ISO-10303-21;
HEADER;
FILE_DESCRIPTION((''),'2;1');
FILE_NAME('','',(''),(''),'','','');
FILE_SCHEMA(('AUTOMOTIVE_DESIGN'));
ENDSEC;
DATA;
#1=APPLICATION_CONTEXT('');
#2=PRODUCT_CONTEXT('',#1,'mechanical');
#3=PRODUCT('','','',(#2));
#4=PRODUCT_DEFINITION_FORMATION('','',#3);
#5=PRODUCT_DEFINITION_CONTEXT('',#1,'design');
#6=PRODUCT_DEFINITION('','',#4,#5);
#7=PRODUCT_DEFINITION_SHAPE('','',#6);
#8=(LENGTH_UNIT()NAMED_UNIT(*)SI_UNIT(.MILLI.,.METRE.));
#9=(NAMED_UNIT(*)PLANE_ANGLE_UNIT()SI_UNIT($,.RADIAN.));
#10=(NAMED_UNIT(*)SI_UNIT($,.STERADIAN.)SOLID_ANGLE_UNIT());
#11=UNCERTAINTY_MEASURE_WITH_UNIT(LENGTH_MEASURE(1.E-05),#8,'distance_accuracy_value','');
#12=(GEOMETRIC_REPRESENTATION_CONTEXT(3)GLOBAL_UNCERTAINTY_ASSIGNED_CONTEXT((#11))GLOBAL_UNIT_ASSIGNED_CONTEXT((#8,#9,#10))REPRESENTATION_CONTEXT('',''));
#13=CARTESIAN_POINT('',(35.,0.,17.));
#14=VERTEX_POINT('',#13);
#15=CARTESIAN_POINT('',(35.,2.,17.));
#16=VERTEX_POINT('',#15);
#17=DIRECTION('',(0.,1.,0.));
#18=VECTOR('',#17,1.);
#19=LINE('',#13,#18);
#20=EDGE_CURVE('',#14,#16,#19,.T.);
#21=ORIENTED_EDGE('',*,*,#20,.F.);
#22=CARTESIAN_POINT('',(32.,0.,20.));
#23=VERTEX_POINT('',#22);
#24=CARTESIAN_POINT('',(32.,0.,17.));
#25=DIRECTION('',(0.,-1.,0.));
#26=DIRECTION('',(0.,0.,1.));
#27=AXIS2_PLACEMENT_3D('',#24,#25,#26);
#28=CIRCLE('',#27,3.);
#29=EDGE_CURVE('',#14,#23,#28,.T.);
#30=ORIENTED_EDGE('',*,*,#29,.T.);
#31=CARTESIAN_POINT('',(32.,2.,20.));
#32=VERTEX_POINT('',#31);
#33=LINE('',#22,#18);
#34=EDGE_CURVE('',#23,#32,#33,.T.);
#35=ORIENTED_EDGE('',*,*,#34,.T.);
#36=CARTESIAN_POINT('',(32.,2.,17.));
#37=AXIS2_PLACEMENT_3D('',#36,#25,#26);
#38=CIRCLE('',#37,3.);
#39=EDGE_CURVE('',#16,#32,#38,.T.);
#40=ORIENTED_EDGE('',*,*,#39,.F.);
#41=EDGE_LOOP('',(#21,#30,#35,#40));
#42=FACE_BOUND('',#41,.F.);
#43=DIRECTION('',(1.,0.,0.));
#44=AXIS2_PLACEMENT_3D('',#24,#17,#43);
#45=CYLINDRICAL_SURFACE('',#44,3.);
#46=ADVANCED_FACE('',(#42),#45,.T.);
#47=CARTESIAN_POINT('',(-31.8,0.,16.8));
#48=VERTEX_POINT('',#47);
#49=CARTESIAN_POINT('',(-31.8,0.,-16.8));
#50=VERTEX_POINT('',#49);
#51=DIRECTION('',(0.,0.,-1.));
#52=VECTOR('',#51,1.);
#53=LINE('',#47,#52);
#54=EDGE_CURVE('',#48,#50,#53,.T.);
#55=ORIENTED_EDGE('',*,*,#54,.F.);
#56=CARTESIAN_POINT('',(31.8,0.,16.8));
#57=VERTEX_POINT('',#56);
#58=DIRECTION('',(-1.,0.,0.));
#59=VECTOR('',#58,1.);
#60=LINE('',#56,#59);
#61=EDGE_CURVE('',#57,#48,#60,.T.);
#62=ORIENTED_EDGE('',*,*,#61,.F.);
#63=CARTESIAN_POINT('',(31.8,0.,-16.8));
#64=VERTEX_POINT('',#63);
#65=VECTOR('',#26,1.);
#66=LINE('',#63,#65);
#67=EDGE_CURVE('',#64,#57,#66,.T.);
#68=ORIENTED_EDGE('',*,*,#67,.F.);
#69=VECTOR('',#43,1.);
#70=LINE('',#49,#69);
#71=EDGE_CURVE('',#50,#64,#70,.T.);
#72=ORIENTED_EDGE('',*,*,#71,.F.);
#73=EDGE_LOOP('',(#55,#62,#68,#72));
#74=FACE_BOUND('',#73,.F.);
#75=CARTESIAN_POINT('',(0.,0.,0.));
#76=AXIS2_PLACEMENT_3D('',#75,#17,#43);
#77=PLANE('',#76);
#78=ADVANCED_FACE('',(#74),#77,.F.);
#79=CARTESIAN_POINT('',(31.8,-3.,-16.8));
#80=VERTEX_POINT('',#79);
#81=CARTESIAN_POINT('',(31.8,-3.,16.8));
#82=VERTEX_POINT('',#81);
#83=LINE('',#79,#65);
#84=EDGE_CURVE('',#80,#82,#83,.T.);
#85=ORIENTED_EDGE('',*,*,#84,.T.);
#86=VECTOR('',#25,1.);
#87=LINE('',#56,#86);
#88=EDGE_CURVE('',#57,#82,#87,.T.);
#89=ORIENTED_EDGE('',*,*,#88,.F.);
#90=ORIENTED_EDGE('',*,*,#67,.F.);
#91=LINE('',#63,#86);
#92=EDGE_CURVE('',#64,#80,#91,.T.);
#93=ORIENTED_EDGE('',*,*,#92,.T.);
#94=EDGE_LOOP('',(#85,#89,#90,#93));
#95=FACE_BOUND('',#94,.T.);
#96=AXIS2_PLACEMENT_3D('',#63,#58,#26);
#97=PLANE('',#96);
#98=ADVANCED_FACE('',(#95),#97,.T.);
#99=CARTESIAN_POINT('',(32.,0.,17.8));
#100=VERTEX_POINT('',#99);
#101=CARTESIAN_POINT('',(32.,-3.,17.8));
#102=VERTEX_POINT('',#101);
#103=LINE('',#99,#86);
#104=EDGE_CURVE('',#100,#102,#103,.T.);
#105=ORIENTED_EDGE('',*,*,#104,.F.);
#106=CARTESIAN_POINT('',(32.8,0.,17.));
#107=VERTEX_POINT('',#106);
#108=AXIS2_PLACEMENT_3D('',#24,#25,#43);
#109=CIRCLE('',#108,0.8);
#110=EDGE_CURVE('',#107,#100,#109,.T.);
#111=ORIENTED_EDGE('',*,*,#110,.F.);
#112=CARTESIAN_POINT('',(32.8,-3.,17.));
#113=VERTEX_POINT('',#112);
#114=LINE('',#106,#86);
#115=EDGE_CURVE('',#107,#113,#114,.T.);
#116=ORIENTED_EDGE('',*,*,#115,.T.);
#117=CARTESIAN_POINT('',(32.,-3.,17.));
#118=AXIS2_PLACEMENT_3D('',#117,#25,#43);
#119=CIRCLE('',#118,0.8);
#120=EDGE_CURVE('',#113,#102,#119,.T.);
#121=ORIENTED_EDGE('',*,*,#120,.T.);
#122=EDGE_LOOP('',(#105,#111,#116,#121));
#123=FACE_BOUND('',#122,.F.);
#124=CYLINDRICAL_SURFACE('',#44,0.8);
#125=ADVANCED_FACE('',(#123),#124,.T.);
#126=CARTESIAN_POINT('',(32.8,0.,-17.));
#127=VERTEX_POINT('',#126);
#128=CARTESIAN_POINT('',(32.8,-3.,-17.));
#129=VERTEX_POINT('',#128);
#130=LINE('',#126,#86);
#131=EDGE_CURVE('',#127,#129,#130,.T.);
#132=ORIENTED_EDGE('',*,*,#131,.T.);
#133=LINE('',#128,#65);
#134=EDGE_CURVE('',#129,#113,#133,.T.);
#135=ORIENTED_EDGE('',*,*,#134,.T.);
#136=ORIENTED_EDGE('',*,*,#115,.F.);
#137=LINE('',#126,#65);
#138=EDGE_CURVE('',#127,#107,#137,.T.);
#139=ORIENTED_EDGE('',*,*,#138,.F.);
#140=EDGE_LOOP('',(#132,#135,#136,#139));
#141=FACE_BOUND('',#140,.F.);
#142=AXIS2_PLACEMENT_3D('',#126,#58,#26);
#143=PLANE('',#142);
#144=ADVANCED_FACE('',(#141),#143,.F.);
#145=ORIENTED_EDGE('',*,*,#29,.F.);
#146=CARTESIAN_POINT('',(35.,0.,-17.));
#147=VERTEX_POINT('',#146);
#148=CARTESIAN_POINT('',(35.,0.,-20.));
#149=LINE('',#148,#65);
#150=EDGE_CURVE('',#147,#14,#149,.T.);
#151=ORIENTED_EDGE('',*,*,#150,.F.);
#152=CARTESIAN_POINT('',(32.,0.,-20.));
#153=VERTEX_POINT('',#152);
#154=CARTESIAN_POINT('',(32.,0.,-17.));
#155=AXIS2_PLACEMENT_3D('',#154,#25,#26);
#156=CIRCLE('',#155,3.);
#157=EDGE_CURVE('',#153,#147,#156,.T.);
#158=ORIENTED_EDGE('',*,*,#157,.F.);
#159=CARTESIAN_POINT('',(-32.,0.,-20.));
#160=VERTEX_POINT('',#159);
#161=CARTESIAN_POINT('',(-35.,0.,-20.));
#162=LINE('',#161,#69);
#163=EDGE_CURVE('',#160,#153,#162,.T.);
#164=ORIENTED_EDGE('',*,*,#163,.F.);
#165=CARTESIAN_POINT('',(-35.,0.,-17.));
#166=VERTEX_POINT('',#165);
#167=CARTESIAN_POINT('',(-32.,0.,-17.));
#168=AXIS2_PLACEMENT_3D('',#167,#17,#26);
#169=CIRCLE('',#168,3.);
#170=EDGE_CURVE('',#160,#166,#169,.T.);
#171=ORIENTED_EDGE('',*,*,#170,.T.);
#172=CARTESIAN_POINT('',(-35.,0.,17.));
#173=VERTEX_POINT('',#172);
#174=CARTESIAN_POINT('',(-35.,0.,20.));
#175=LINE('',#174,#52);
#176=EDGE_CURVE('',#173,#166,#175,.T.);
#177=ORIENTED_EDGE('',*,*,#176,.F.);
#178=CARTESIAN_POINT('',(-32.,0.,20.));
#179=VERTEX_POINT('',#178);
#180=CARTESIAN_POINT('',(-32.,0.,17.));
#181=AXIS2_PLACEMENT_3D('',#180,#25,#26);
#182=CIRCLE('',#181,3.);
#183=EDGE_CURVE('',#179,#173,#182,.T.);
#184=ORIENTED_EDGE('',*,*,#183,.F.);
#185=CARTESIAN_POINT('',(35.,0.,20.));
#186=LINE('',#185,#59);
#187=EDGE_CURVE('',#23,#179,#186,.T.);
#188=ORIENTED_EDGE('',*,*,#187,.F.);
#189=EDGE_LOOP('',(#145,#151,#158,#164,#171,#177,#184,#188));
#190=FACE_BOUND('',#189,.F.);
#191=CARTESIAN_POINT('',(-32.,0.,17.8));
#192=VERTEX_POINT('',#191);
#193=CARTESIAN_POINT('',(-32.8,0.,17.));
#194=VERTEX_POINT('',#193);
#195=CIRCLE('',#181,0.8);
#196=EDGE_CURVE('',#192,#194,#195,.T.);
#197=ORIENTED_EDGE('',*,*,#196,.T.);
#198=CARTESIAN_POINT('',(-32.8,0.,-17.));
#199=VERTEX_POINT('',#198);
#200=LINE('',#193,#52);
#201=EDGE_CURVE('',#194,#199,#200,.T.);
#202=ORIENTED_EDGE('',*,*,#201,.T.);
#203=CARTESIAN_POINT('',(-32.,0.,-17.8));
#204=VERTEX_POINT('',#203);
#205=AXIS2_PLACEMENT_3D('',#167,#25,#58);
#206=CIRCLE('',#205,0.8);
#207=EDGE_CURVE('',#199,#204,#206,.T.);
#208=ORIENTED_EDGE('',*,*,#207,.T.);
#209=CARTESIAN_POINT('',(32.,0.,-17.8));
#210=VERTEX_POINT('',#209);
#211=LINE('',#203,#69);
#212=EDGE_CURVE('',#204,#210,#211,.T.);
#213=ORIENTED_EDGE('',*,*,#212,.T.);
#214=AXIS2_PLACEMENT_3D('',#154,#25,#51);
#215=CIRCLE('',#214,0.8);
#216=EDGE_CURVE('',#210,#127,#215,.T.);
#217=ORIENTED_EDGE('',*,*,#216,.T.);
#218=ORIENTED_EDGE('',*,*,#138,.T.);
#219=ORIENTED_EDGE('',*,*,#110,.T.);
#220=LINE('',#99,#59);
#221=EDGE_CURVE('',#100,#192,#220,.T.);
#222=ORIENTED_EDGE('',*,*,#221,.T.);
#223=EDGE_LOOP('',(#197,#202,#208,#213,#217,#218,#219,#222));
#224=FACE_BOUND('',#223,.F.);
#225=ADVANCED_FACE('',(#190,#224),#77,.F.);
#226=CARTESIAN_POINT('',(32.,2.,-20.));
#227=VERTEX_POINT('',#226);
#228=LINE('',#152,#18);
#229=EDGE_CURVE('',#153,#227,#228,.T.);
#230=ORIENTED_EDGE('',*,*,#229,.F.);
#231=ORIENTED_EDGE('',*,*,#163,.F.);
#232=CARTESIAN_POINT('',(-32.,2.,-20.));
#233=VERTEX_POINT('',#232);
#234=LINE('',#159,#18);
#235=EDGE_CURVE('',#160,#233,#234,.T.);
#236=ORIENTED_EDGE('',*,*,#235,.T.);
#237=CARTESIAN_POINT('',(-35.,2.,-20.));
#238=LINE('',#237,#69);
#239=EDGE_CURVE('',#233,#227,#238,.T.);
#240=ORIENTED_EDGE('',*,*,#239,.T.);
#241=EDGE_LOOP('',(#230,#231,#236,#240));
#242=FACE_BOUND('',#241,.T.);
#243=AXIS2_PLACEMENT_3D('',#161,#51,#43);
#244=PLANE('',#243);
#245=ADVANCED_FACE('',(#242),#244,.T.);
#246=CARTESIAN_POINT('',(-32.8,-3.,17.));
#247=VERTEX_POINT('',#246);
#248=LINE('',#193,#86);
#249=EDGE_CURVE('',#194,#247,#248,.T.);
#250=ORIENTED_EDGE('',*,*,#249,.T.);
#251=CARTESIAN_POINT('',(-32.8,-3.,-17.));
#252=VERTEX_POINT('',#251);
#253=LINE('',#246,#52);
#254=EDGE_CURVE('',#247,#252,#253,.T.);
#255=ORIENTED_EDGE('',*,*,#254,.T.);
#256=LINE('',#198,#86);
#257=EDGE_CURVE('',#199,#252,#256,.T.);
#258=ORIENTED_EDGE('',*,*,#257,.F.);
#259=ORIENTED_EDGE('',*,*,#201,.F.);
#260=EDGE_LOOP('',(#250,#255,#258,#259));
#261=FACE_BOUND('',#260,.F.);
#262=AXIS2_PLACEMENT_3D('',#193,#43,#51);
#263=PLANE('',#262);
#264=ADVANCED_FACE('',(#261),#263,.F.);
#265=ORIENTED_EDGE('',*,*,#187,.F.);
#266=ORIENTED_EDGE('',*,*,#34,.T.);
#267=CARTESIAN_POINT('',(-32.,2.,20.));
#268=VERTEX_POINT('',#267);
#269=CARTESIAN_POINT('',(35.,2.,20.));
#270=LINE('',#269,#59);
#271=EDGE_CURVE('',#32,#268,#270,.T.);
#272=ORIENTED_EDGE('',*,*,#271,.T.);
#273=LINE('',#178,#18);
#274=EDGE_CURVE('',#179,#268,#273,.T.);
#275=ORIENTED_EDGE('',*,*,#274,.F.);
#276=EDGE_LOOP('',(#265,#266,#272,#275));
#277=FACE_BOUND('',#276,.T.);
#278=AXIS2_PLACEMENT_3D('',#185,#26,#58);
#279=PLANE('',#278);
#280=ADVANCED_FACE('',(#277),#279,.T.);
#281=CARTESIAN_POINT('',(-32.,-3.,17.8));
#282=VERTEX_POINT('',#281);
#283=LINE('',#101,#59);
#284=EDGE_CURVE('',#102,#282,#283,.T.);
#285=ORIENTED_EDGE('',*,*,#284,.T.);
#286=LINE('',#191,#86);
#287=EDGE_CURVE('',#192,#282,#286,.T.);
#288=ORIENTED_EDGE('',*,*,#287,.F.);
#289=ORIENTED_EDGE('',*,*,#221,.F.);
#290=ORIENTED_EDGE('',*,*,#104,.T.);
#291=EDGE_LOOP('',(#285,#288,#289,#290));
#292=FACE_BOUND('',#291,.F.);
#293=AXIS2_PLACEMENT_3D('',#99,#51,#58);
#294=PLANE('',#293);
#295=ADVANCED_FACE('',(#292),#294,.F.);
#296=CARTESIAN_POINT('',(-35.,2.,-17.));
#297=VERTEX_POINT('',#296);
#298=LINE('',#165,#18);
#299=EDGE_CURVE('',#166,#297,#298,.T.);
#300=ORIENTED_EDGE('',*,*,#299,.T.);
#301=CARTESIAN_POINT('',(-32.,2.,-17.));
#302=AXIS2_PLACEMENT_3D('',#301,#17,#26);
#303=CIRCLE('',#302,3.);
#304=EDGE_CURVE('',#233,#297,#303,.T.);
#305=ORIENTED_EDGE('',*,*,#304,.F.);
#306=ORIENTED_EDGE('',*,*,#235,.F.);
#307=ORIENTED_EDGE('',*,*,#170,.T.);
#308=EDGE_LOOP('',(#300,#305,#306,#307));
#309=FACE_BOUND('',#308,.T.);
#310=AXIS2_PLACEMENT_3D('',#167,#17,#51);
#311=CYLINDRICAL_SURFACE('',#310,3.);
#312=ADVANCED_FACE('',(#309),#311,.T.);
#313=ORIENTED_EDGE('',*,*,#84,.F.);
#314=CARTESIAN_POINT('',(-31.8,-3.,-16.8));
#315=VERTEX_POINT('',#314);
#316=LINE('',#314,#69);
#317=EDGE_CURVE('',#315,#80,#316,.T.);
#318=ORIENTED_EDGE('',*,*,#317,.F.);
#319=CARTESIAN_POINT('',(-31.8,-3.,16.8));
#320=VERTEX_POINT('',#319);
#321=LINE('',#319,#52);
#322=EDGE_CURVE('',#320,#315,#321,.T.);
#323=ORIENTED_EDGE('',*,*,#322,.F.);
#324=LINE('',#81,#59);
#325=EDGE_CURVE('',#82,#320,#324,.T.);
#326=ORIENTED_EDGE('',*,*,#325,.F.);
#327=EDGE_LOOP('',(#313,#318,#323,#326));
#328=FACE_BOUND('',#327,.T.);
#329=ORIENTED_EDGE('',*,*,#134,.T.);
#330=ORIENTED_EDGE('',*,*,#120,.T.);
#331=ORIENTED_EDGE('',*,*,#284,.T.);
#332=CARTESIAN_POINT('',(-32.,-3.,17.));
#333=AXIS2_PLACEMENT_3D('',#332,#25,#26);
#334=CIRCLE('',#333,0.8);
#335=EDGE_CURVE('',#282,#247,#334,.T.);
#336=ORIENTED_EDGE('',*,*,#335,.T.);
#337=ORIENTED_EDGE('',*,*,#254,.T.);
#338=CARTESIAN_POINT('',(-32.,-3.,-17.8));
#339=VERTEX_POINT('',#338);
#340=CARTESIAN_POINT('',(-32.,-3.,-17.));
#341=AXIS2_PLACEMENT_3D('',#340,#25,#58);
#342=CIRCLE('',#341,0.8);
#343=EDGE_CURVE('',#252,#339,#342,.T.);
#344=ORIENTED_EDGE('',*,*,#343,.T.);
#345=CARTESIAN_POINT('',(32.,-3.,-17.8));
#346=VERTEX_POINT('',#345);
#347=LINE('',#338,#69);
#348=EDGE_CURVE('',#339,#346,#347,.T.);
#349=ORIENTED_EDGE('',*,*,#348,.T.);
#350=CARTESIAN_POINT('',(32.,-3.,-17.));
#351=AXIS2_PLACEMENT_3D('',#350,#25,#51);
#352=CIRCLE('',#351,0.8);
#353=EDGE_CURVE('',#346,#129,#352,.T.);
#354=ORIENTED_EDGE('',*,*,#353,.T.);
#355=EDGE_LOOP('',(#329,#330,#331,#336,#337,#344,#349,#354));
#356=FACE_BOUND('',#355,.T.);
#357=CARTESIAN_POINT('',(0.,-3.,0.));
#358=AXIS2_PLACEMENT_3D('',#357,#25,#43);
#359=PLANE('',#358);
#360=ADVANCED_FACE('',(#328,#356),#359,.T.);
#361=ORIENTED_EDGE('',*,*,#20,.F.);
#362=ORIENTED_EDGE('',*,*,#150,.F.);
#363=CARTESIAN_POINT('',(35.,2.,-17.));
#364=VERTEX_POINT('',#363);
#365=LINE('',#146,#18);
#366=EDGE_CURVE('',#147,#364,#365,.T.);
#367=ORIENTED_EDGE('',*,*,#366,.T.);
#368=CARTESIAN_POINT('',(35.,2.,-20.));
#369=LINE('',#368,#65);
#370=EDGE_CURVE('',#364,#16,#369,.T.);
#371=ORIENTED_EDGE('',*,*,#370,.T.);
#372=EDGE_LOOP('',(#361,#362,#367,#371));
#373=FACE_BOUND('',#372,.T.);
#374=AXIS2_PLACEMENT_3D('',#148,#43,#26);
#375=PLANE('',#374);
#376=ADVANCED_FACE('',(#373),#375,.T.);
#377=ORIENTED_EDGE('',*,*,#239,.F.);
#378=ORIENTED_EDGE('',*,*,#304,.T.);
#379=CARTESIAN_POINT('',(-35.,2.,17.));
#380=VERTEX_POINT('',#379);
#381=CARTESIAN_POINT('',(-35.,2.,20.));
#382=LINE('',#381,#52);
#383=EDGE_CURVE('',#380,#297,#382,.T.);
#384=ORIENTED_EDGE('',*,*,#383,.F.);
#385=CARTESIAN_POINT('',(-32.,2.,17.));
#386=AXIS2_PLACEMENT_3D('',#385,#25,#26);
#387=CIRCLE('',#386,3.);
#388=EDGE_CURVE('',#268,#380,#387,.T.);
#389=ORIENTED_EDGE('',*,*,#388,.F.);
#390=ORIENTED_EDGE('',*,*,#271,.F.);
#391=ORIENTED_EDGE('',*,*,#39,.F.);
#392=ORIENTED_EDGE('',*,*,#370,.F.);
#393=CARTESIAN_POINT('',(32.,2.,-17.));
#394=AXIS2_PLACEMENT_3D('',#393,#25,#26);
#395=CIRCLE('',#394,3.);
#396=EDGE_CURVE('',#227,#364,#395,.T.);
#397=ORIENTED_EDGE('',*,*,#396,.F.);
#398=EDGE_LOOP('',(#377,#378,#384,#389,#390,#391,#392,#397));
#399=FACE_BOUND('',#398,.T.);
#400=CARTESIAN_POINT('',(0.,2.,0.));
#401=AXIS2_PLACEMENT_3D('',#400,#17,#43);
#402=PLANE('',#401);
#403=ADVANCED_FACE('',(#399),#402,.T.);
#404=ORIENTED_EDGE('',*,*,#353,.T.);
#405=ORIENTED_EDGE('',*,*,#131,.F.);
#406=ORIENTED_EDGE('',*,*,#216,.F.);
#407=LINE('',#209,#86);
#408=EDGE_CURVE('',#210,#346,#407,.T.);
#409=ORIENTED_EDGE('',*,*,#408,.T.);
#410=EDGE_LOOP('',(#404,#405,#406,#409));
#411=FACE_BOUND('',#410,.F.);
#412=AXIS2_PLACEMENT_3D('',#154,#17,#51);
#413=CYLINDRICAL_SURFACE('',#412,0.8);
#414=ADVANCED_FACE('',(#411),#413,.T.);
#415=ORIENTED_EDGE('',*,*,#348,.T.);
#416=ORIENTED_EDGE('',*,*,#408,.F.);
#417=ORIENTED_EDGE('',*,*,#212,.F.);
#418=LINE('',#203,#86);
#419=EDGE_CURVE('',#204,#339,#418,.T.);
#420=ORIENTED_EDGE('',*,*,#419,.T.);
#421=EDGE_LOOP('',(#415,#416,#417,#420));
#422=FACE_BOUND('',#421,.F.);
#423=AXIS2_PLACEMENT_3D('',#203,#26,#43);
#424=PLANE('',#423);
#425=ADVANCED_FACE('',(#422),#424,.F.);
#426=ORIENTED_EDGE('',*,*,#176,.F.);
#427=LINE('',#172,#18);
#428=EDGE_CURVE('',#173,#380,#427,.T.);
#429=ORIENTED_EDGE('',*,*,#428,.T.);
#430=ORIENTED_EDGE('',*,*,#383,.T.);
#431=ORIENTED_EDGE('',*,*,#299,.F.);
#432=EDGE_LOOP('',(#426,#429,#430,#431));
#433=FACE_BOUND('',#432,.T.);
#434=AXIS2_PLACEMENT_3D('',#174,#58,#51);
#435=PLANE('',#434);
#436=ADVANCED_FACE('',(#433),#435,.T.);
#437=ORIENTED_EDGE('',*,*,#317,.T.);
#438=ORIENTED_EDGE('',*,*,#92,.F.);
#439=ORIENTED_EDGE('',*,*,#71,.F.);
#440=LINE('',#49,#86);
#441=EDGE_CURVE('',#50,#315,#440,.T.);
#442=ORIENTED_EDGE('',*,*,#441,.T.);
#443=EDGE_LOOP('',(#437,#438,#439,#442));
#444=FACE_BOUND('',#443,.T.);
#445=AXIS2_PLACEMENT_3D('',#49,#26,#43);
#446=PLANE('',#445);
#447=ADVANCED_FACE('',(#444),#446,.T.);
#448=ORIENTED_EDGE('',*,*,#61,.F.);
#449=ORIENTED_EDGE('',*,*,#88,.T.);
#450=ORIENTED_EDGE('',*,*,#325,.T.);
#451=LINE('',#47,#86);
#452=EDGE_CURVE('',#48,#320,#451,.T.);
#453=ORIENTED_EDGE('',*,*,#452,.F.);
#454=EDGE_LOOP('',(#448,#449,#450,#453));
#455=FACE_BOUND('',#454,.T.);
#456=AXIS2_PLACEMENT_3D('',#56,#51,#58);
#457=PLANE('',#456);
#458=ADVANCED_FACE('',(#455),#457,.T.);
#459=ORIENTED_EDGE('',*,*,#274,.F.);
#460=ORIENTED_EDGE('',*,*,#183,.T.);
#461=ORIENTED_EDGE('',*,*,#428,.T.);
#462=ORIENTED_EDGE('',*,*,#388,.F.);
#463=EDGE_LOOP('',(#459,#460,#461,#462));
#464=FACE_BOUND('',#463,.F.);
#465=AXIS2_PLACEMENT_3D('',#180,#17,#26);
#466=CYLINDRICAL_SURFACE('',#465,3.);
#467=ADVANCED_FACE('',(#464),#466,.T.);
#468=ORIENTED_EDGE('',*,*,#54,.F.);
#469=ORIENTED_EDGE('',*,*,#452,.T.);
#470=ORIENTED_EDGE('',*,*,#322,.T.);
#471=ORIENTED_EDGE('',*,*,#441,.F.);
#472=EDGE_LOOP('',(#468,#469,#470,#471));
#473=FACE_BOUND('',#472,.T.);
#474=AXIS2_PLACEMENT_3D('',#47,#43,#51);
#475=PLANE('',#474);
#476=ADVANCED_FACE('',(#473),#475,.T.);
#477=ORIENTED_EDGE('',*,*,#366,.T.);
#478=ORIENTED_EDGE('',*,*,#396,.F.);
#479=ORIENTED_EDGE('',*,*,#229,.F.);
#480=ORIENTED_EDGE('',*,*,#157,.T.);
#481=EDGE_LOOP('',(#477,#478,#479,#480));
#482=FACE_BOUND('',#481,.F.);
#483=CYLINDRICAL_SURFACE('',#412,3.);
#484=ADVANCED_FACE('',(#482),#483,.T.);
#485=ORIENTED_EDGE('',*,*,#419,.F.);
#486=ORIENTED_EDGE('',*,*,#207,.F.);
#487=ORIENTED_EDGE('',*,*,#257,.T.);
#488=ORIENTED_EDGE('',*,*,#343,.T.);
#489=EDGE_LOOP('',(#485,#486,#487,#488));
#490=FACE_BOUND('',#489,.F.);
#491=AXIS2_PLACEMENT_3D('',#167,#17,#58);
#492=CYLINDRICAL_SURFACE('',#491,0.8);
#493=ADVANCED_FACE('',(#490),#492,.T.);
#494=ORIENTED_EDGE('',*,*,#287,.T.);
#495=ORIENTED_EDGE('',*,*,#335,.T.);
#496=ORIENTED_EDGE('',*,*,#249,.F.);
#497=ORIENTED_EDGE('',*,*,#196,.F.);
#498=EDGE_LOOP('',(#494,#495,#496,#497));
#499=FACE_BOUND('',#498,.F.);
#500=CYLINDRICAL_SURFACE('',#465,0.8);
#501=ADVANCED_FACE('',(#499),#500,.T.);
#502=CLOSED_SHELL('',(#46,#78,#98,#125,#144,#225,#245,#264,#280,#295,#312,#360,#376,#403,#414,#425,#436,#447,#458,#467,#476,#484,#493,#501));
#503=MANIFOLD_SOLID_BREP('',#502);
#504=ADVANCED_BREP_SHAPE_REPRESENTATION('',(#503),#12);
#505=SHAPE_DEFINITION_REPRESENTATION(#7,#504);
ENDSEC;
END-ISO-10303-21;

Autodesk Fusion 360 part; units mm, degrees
sketch "Sketch1" plane through (0, 0, 0) normal (0, 1, 0) x (1, 0, 0)
  line L0 (-35, 20) -> (35, 20)
  line L1 (35, 20) -> (35, -20)
  line L2 (35, -20) -> (-35, -20)
  line L3 (-35, -20) -> (-35, 20)
  line L4 (-35, 20) -> (35, -20) construction
  dimension "d106" = 70
  dimension "d107" = 40
extrude "Extrude1" add sketch "Sketch1" along normal blind 2
fillet "Fillet1" radius 3 4 edges at (-35, 1, 20) (35, 1, -20) (-35, 1, -20) (35, 1, 20)
sketch "Sketch2" plane through (0, 0, 0) normal (0, -1, 0) x (1, 0, 0)
  arc A0 (35, 17) -> (32, 20) centre (32, 17) ccw
  line L0 (32, 20) -> (-32, 20)
  arc A1 (-32, 20) -> (-35, 17) centre (-32, 17) ccw
  line L1 (-35, 17) -> (-35, -17)
  arc A2 (-35, -17) -> (-32, -20) centre (-32, -17) ccw
  line L2 (-32, -20) -> (32, -20)
  arc A3 (32, -20) -> (35, -17) centre (32, -17) ccw
  line L3 (35, -17) -> (35, 17)
  line L4 (-32.8, 17) -> (-32.8, -17)
  arc A4 (-32.8, -17) -> (-32, -17.8) centre (-32, -17) ccw
  line L5 (-32, -17.8) -> (32, -17.8)
  arc A5 (32, -17.8) -> (32.8, -17) centre (32, -17) ccw
  line L6 (32.8, -17) -> (32.8, 17)
  arc A6 (32.8, 17) -> (32, 17.8) centre (32, 17) ccw
  line L7 (32, 17.8) -> (-32, 17.8)
  arc A7 (-32, 17.8) -> (-32.8, 17) centre (-32, 17) ccw
  line L8 (-31.8, 16.8) -> (-31.8, -16.8)
  line L9 (-31.8, -16.8) -> (31.8, -16.8)
  line L10 (31.8, -16.8) -> (31.8, 16.8)
  line L11 (31.8, 16.8) -> (-31.8, 16.8)
  dimension "d111" = -2.2
  dimension "d112" = -3.2
extrude "Extrude2" add sketch "Sketch2" along normal blind 3 contours L4 A4 L5 A5 L6 A6 L7 A7
